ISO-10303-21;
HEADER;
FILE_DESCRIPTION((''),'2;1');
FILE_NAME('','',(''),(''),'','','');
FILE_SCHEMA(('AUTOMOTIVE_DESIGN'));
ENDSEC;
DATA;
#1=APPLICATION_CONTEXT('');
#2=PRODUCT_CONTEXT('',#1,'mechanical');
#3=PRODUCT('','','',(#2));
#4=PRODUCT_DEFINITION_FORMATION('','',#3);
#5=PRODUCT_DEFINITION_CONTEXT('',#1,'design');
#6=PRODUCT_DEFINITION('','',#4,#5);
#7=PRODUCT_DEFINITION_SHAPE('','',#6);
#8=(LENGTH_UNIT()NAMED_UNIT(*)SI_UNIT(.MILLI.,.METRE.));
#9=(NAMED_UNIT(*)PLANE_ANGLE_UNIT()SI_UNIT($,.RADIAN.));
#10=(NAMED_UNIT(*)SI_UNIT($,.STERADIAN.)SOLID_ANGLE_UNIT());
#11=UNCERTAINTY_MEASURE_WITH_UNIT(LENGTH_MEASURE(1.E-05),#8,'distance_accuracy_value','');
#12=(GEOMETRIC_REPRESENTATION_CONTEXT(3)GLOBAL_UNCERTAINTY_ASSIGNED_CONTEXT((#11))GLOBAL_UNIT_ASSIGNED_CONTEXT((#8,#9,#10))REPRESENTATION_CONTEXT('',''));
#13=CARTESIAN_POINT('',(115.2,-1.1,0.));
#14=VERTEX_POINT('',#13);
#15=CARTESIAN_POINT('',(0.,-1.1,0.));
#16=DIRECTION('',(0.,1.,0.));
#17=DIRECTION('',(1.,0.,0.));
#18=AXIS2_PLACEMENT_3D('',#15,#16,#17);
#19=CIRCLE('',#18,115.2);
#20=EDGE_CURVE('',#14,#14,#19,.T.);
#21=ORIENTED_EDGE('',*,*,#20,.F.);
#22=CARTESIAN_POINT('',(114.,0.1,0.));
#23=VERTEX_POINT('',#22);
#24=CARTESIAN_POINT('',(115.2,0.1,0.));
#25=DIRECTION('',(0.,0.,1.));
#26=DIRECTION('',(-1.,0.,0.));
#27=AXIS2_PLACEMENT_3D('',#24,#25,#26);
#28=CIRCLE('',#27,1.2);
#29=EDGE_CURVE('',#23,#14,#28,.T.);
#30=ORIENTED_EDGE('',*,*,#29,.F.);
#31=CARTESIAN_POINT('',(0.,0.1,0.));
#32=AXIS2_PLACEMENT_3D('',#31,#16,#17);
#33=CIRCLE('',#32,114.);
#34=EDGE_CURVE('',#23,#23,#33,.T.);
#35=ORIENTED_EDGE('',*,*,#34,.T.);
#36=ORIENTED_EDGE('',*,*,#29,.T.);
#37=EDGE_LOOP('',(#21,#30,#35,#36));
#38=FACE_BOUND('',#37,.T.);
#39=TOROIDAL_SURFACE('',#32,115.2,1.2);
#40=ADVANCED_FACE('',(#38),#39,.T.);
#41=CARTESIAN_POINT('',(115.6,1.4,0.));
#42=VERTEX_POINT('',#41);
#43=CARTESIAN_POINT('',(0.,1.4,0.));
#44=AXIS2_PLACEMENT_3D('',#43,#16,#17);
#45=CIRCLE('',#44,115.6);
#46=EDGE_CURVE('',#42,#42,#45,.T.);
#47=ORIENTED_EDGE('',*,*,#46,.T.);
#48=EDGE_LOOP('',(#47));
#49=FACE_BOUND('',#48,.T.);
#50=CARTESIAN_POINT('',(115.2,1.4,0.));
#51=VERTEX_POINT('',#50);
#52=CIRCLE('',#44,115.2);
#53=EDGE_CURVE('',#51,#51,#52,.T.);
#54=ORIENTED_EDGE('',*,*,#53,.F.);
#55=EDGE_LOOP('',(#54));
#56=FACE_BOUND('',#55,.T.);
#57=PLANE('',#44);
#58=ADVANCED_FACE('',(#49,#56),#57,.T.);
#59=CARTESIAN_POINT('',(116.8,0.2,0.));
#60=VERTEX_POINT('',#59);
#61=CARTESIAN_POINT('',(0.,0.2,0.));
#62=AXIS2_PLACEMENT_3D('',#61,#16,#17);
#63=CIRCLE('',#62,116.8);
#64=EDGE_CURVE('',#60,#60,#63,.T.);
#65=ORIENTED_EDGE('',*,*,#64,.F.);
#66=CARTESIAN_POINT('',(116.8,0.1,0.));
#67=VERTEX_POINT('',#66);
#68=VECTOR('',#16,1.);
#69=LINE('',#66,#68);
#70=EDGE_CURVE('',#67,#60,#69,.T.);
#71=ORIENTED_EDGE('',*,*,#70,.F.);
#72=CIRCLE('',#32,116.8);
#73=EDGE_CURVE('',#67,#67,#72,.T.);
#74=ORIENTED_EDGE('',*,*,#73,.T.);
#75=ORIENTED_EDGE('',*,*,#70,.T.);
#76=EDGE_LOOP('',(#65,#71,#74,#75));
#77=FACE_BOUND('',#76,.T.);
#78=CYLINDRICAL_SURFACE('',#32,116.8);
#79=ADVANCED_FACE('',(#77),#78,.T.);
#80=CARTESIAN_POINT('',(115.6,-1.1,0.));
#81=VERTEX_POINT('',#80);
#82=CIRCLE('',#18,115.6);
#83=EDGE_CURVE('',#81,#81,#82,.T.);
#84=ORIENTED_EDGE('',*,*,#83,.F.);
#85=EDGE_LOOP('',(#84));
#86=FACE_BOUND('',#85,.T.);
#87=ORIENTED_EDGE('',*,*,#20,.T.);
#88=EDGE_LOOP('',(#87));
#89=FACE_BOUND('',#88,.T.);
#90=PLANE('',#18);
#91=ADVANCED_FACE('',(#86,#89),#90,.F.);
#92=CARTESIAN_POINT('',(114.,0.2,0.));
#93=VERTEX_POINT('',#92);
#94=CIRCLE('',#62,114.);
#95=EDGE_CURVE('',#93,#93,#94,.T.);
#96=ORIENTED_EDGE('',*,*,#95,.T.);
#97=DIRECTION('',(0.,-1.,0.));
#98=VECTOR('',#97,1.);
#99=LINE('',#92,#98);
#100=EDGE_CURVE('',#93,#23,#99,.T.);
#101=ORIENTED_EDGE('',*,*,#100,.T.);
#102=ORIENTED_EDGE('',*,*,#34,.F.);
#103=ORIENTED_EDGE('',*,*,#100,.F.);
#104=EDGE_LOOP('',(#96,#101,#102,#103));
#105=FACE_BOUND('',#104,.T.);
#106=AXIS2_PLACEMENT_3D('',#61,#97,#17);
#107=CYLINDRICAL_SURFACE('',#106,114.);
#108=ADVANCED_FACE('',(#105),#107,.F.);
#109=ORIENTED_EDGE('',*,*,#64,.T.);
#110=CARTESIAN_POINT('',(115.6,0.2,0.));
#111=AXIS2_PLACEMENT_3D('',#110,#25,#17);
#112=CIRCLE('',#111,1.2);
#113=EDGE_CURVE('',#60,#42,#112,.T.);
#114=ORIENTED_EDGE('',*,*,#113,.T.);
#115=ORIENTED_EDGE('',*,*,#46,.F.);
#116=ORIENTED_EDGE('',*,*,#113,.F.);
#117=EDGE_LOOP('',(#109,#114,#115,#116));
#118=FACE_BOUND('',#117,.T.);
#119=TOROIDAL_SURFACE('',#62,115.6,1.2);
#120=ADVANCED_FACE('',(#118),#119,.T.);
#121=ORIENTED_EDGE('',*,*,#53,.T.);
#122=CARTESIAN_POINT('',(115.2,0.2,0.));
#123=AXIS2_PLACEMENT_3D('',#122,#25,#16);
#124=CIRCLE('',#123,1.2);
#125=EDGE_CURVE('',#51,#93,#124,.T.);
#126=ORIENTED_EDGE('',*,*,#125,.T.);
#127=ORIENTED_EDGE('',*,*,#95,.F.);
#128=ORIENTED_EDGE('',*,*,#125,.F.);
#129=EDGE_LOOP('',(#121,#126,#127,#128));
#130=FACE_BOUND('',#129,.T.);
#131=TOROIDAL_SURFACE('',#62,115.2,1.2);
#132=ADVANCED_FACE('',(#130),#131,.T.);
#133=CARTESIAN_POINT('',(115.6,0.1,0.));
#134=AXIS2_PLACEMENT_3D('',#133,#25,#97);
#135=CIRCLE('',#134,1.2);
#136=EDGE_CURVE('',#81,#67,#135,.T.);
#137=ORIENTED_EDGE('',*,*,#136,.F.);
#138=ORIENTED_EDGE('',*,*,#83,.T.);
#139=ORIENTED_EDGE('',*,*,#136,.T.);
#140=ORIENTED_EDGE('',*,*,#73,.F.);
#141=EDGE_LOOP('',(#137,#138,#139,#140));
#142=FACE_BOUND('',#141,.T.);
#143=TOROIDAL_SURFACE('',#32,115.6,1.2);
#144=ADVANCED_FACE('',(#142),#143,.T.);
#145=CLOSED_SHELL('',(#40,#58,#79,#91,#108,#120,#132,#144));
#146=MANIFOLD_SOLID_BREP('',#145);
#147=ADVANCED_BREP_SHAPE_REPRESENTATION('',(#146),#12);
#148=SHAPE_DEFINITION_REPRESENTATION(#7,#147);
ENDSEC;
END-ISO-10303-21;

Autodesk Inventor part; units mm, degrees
ref_plane "YZ Plane" through (0, 0, 0) normal (1, 0, 0) x (0, 1, 0)
ref_plane "XZ Plane" through (0, 0, 0) normal (0, 1, 0) x (-1, 0, 0)
ref_plane "XY Plane" through (0, 0, 0) normal (0, 0, 1) x (1, 0, 0)
sketch "Sketch1" plane through (0, 0, 0) normal (0, 0, 1) x (1, 0, 0)
  line L0 (0, -1.9479) -> (0, 2.2479) projected
  line L1 (115.2, -1.1) -> (115.6, -1.1)
  line L2 (116.8, 0.1) -> (116.8, 0.2)
  line L3 (115.6, 1.4) -> (115.2, 1.4)
  line L4 (114, 0.2) -> (114, 0.1)
  line L5 (114, -1.1) -> (116.8, 1.4) construction
  line L6 (116.8, -1.1) -> (114, 1.4) construction
  arc A0 (116.8, 0.2) -> (115.6, 1.4) centre (115.6, 0.2) ccw
  arc A1 (115.2, 1.4) -> (114, 0.2) centre (115.2, 0.2) ccw
  arc A2 (114, 0.1) -> (115.2, -1.1) centre (115.2, 0.1) ccw
  arc A3 (115.6, -1.1) -> (116.8, 0.1) centre (115.6, 0.1) ccw
  point P0 (0, 0)
  point P1 (115.4, 0.15)
  point P2 (115.4, 0.15)
  dimension "d4" = 114
  dimension "d5" = 1.2
  dimension "d6" = 1.4
  dimension "d7" = 1.25
revolve "Rubber Seal" add sketch "Sketch1" angle 360 about axis through (0, -10, 0) along (0, 1, 0)
properties part number "RubberSeal" material "Rubber"
